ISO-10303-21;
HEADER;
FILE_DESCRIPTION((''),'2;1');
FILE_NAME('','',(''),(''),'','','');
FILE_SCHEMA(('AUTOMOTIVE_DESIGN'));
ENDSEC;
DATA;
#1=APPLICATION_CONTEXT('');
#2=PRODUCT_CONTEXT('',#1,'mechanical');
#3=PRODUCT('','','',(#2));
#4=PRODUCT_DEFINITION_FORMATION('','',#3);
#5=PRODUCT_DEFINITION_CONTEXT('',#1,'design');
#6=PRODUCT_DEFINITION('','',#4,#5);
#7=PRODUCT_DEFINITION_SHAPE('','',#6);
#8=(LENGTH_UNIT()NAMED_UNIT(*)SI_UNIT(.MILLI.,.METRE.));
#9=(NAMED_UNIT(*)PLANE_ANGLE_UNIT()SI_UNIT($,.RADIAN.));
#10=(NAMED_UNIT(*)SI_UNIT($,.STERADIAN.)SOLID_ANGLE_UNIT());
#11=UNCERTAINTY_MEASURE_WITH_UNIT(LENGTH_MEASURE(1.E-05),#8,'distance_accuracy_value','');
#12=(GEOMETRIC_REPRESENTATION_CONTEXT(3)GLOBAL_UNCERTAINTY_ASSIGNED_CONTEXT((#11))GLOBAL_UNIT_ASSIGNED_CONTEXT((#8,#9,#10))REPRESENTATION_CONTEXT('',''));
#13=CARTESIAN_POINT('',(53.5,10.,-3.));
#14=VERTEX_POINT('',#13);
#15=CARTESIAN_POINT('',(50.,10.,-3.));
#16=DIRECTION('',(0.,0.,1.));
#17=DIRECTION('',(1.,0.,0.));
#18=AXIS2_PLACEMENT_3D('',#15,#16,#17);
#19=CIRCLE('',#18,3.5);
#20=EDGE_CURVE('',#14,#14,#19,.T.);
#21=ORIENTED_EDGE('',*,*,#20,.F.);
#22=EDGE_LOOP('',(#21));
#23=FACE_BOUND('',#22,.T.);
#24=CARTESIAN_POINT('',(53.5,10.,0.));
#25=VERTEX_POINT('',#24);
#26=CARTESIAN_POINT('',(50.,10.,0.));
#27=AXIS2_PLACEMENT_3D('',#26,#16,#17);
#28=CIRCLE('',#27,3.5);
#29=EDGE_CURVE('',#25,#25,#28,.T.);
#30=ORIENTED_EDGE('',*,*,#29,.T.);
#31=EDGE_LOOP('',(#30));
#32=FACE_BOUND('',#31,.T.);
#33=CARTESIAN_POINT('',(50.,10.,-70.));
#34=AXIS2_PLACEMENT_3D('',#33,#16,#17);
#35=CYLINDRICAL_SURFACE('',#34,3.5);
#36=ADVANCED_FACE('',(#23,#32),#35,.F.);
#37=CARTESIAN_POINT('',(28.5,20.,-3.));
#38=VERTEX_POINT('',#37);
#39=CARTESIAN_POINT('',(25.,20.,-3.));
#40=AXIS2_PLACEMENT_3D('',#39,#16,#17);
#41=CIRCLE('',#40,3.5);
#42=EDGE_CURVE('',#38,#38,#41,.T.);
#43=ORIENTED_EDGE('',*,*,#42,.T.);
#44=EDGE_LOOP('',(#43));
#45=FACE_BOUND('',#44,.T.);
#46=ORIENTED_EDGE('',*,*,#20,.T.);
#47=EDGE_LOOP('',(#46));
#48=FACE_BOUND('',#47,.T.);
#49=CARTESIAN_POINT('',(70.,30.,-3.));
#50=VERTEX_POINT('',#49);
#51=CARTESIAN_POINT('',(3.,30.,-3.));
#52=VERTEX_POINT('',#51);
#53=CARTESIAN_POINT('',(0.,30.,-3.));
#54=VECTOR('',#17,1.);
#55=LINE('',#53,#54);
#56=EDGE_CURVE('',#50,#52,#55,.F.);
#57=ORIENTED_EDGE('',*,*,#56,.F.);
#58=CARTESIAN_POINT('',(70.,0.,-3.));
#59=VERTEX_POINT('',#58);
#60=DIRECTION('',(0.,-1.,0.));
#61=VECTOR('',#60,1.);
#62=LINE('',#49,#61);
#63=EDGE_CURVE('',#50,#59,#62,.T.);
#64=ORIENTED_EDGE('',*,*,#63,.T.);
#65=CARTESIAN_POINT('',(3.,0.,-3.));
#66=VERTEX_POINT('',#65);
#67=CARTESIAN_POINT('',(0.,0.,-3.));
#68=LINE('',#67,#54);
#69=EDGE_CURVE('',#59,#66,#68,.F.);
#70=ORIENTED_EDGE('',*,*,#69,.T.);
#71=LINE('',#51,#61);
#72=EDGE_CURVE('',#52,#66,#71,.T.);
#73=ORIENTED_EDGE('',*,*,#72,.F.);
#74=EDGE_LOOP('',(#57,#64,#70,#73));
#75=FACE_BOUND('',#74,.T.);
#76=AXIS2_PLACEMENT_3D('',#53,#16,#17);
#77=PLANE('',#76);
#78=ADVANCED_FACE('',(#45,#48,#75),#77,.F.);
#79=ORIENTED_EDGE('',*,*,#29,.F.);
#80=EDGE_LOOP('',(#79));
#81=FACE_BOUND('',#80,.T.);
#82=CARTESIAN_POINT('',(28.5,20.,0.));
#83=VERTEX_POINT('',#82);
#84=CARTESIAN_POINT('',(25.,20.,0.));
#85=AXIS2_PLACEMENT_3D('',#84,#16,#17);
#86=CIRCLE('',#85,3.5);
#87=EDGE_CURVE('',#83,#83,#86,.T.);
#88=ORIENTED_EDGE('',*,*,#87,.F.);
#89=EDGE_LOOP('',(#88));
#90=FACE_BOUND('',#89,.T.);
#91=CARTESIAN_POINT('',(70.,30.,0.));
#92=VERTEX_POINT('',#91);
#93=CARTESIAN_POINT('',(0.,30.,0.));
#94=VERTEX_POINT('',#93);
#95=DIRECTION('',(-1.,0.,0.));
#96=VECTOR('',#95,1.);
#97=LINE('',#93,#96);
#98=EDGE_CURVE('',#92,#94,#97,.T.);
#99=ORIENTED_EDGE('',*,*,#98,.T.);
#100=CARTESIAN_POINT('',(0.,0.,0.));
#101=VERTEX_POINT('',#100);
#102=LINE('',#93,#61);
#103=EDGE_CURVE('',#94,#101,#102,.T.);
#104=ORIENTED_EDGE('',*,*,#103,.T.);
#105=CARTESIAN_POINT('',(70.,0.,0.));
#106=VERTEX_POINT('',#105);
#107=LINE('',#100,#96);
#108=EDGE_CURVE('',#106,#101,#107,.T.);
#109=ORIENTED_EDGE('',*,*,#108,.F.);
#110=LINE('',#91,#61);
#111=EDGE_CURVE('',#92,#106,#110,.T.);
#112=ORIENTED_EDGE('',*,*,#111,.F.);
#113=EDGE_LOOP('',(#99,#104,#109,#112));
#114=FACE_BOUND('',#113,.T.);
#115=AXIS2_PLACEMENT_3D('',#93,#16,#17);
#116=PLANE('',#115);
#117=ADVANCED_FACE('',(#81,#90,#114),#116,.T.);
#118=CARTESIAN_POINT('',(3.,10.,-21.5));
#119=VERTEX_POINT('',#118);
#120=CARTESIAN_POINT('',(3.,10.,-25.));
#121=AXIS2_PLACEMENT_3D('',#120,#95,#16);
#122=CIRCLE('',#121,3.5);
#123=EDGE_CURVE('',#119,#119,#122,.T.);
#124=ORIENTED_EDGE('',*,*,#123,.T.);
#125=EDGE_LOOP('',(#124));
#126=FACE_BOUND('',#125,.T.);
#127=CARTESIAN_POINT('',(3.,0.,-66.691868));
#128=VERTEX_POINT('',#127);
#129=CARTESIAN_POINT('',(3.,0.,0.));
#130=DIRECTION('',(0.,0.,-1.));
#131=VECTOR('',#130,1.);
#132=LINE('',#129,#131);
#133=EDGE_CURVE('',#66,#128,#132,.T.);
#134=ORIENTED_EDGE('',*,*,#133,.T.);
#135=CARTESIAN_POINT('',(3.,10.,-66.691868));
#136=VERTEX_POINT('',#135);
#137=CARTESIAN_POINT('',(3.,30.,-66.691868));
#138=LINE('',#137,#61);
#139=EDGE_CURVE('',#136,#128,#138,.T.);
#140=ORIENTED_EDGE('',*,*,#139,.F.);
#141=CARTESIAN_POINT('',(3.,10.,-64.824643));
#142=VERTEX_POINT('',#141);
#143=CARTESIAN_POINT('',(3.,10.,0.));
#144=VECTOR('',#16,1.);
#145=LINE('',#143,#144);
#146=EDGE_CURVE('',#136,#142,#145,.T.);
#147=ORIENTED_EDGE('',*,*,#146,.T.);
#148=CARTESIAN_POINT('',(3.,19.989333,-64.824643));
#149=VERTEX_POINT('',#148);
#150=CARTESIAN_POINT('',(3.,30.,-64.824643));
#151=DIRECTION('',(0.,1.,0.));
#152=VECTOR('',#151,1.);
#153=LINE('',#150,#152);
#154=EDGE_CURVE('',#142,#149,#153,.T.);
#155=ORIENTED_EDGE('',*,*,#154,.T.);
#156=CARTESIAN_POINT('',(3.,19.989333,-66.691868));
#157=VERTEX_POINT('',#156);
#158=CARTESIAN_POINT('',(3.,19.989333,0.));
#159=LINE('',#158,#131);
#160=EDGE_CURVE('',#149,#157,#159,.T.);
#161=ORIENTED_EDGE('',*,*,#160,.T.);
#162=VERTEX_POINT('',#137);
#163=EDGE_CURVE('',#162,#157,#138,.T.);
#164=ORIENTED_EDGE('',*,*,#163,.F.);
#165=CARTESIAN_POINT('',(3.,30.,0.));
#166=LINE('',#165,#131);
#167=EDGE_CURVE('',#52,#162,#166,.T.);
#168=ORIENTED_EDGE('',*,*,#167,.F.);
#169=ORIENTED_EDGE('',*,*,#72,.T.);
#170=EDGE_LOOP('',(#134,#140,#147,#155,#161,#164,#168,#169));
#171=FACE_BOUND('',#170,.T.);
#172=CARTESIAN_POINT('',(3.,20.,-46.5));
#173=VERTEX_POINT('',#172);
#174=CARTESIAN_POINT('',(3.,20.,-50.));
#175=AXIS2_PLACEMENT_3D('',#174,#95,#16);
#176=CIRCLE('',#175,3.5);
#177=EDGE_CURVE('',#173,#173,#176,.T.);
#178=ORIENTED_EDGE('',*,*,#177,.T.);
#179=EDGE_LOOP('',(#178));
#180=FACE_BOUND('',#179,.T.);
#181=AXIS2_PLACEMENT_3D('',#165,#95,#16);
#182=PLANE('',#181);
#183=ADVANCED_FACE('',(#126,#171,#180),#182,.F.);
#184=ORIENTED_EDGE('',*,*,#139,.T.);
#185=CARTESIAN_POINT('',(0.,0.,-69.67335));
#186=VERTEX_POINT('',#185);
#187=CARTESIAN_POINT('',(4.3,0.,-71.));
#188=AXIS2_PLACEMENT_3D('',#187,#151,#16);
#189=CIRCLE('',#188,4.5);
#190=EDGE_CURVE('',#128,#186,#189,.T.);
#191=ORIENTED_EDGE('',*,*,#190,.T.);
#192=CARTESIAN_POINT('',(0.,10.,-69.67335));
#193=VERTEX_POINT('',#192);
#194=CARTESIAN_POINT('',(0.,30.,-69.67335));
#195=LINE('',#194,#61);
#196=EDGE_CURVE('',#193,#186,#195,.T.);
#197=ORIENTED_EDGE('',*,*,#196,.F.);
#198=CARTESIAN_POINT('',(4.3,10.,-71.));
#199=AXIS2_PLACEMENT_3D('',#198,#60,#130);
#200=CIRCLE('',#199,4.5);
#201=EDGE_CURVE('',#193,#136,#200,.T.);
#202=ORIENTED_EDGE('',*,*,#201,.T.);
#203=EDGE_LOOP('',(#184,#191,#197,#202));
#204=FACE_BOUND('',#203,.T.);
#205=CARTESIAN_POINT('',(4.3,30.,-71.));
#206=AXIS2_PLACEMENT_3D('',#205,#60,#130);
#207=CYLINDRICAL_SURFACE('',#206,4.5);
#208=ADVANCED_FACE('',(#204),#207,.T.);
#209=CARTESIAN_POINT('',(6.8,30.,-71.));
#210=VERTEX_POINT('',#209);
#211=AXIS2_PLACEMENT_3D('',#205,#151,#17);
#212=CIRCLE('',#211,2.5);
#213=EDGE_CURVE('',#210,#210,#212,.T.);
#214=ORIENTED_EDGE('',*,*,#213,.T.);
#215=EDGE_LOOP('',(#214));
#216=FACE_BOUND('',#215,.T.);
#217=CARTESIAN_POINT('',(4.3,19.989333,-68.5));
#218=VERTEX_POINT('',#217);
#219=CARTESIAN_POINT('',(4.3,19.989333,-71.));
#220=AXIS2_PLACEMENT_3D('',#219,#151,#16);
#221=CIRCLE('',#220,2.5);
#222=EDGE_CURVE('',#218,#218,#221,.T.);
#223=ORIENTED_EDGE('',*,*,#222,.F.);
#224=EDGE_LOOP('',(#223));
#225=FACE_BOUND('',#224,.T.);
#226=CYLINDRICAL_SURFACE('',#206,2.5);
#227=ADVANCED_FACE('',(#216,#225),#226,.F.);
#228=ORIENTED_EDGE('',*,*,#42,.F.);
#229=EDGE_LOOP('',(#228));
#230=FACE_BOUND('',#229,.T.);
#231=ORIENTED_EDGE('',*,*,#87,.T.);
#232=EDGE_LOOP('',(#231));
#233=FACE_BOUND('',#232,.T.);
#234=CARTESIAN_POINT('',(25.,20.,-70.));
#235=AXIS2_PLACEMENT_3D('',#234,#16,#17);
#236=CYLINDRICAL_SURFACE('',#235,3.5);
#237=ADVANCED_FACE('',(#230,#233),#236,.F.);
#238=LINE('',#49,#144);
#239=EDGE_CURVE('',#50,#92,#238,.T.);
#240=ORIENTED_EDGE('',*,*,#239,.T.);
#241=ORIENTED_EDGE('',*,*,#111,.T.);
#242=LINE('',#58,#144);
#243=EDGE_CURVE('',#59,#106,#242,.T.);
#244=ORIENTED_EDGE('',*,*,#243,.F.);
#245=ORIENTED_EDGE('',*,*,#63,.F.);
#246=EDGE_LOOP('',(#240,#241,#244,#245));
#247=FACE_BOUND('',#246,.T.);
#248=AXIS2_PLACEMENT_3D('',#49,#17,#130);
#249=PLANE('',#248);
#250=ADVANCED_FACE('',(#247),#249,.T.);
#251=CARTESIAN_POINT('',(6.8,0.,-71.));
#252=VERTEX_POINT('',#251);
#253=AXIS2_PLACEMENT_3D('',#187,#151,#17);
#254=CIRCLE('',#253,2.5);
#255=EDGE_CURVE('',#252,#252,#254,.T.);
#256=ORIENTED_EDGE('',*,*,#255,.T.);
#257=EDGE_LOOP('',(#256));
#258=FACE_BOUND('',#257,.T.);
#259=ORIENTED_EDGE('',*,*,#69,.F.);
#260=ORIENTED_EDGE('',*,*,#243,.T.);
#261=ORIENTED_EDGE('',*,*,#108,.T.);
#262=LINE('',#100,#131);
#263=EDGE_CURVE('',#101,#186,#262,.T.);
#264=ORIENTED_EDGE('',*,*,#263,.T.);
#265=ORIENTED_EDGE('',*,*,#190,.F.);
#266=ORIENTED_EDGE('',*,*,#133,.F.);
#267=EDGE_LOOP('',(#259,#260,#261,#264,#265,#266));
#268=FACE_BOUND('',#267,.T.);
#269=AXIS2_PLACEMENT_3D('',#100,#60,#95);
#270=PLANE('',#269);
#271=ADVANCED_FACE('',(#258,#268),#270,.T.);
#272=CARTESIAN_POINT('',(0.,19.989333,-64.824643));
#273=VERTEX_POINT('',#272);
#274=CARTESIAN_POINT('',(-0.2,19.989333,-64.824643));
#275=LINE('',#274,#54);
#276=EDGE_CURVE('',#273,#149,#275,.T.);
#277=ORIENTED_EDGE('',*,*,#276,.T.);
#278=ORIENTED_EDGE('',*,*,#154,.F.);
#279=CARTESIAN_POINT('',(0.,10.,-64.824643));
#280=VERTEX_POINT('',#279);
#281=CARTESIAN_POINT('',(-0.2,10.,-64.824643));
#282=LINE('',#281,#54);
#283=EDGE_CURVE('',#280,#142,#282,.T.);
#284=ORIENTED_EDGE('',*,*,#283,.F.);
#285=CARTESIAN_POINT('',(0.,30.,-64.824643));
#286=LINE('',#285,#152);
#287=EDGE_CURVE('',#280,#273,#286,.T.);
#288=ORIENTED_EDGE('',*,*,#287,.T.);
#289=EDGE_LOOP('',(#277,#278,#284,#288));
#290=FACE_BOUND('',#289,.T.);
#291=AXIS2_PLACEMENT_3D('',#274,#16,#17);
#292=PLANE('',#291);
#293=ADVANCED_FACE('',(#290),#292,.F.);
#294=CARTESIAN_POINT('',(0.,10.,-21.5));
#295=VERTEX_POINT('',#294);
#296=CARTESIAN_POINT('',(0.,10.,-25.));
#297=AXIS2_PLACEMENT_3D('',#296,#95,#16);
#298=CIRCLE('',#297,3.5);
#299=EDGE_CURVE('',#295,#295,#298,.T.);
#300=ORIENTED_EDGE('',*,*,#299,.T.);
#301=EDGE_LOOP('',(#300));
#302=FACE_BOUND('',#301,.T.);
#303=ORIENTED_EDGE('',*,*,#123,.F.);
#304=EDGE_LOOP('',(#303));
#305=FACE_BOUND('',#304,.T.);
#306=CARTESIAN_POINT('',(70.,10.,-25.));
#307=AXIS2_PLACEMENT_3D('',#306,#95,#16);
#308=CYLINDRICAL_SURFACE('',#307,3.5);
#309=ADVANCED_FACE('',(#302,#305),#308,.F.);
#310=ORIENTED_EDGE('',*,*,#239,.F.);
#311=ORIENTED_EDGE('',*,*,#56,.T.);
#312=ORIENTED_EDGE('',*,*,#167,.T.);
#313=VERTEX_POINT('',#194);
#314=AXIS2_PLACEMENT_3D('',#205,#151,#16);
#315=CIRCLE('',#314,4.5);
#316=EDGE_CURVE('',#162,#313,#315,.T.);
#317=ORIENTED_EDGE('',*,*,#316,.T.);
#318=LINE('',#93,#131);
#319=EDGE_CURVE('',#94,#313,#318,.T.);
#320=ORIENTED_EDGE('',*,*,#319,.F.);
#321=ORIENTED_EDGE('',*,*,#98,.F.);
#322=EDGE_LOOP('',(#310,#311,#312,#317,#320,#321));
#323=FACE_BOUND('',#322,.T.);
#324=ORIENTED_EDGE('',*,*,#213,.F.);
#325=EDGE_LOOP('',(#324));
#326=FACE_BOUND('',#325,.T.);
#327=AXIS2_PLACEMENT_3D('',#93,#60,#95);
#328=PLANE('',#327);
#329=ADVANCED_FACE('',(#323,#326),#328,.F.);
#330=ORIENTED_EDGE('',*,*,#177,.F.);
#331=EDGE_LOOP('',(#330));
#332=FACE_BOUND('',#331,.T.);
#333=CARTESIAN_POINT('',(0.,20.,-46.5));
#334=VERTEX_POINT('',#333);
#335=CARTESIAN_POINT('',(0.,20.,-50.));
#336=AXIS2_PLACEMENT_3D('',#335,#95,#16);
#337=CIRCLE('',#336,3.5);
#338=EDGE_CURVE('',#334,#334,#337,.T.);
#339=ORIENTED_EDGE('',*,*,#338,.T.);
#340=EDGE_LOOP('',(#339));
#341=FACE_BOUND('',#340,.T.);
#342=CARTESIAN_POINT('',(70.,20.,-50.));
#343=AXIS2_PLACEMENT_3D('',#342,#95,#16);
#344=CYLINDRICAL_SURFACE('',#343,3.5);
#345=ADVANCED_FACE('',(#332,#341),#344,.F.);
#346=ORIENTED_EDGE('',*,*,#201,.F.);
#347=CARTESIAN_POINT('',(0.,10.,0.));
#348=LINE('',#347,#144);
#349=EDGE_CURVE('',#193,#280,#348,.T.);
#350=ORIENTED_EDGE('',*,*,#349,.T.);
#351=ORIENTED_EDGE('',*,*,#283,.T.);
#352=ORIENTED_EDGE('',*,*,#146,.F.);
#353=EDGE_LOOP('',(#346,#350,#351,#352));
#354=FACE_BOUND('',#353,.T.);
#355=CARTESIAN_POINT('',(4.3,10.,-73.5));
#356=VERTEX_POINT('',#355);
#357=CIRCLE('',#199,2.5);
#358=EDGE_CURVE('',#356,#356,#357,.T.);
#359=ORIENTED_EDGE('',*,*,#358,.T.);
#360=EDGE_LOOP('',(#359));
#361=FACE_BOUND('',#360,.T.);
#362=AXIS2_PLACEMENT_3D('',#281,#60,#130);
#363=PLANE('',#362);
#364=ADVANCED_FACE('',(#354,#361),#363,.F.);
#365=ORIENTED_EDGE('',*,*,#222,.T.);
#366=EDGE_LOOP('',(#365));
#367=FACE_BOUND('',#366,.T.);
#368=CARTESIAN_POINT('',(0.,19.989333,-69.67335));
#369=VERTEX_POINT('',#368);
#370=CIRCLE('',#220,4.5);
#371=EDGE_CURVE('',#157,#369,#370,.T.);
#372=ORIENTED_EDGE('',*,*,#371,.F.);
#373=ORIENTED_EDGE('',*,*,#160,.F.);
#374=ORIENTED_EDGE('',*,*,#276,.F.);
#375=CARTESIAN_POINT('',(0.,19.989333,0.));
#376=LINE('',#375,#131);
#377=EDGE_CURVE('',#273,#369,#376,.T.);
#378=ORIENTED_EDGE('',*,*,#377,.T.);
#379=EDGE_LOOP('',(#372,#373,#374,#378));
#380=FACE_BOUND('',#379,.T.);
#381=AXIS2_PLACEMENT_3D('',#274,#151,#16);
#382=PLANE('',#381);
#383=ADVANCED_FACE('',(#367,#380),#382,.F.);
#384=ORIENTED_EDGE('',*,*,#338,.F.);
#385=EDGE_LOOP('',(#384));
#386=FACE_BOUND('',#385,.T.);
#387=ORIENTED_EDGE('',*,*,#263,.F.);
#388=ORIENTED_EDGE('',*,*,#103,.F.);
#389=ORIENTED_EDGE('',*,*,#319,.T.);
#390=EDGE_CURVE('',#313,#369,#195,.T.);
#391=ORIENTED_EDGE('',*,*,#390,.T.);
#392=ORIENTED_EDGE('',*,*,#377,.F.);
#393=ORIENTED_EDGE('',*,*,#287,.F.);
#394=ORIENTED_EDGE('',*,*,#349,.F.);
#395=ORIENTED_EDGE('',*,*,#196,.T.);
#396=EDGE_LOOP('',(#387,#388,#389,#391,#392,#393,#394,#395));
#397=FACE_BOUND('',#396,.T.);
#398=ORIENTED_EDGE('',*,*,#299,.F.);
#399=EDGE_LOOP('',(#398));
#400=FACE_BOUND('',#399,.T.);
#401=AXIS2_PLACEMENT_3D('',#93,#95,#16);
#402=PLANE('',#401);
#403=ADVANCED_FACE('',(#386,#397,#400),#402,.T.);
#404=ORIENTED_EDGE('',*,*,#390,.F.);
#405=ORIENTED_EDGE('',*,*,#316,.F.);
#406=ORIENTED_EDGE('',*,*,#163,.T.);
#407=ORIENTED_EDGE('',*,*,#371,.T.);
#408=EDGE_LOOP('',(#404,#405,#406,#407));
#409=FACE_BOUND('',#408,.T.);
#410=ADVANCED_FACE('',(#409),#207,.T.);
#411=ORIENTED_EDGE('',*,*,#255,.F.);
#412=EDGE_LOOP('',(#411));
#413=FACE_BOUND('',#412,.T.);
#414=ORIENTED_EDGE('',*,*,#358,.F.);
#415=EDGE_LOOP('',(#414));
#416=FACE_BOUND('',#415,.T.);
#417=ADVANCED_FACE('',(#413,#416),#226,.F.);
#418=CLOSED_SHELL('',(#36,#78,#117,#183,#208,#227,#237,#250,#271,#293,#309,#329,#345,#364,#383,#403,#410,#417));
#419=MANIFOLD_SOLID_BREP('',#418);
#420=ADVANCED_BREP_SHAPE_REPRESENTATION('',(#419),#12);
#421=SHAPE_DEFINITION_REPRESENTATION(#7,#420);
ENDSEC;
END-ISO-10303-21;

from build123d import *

# Parameters (mm, degrees)
EXTRUDE_1_DEPTH          = 30
SKETCH_2_R               = 3.5
CUT_EXTRUDE_1_DEPTH      = 71
SKETCH_3_R               = 3.5
CUT_EXTRUDE_2_DEPTH      = 71
SKETCH_4_R               = 4.5
SKETCH_4_R_2             = 2.5
EXTRUDE_2_DEPTH          = 30
SKETCH_5_R               = 2.5
CUT_EXTRUDE_6_DEPTH      = 31
SKETCH_6_W               = 11.97763243
SKETCH_6_H               = 9.98933257
CUT_EXTRUDE_8_DEPTH      = 71
CUT_EXTRUDE_8_DEPTH_BACK = 1.2


with BuildPart() as part:
    # Эскиз1 → Вытянуть-Тонкостенный1 (new body)
    with BuildSketch(Plane(origin=(0, 0, 0), x_dir=(1, 0, 0), z_dir=(0, 1, 0))):
        Polygon((0, 70), (0, 0), (70, 0), (70, 3), (3, 3), (3, 70), align=None)
    extrude(amount=EXTRUDE_1_DEPTH)

    # Эскиз2 → Вырез-Вытянуть1 (cut, through all)
    with BuildSketch(Plane.ZY):
        with Locations((-50, 20)):
            Circle(SKETCH_2_R)
        with Locations((-25, 10)):
            Circle(SKETCH_2_R)
    extrude(amount=-CUT_EXTRUDE_1_DEPTH, mode=Mode.SUBTRACT)

    # Эскиз3 → Вырез-Вытянуть2 (cut, through all)
    with BuildSketch(Plane.XY):
        with Locations((25, 20)):
            Circle(SKETCH_3_R)
        with Locations((50, 10)):
            Circle(SKETCH_3_R)
    extrude(amount=-CUT_EXTRUDE_2_DEPTH, mode=Mode.SUBTRACT)

    # Эскиз4 → Вытянуть-Тонкостенный2 (add)
    with BuildSketch(Plane(origin=(0, 0, 0), x_dir=(1, 0, 0), z_dir=(0, 1, 0))):
        with Locations((4.3, 71)):
            Circle(SKETCH_4_R)
        with Locations((4.3, 71)):
            Circle(SKETCH_4_R_2, mode=Mode.SUBTRACT)
    extrude(amount=EXTRUDE_2_DEPTH)

    # Эскиз5 → Вырез-Вытянуть6 (cut, through all)
    with BuildSketch(Plane(origin=(0, 0, 0), x_dir=(1, 0, 0), z_dir=(0, 1, 0))):
        with Locations((4.3, 71)):
            Circle(SKETCH_5_R)
    extrude(amount=CUT_EXTRUDE_6_DEPTH, mode=Mode.SUBTRACT)

    # Эскиз6 → Вырез-Вытянуть8 (cut, two sides)
    with BuildSketch(Plane(origin=(0, 0, 0), x_dir=(0, 0, -1), z_dir=(1, 0, 0))) as cut_extrude_8_sk:
        with Locations((70.813459228, 14.994666285)):
            Rectangle(SKETCH_6_W, SKETCH_6_H)
    extrude(amount=CUT_EXTRUDE_8_DEPTH, mode=Mode.SUBTRACT)
    extrude(cut_extrude_8_sk.sketch, amount=-CUT_EXTRUDE_8_DEPTH_BACK, mode=Mode.SUBTRACT)


solid = part.part
